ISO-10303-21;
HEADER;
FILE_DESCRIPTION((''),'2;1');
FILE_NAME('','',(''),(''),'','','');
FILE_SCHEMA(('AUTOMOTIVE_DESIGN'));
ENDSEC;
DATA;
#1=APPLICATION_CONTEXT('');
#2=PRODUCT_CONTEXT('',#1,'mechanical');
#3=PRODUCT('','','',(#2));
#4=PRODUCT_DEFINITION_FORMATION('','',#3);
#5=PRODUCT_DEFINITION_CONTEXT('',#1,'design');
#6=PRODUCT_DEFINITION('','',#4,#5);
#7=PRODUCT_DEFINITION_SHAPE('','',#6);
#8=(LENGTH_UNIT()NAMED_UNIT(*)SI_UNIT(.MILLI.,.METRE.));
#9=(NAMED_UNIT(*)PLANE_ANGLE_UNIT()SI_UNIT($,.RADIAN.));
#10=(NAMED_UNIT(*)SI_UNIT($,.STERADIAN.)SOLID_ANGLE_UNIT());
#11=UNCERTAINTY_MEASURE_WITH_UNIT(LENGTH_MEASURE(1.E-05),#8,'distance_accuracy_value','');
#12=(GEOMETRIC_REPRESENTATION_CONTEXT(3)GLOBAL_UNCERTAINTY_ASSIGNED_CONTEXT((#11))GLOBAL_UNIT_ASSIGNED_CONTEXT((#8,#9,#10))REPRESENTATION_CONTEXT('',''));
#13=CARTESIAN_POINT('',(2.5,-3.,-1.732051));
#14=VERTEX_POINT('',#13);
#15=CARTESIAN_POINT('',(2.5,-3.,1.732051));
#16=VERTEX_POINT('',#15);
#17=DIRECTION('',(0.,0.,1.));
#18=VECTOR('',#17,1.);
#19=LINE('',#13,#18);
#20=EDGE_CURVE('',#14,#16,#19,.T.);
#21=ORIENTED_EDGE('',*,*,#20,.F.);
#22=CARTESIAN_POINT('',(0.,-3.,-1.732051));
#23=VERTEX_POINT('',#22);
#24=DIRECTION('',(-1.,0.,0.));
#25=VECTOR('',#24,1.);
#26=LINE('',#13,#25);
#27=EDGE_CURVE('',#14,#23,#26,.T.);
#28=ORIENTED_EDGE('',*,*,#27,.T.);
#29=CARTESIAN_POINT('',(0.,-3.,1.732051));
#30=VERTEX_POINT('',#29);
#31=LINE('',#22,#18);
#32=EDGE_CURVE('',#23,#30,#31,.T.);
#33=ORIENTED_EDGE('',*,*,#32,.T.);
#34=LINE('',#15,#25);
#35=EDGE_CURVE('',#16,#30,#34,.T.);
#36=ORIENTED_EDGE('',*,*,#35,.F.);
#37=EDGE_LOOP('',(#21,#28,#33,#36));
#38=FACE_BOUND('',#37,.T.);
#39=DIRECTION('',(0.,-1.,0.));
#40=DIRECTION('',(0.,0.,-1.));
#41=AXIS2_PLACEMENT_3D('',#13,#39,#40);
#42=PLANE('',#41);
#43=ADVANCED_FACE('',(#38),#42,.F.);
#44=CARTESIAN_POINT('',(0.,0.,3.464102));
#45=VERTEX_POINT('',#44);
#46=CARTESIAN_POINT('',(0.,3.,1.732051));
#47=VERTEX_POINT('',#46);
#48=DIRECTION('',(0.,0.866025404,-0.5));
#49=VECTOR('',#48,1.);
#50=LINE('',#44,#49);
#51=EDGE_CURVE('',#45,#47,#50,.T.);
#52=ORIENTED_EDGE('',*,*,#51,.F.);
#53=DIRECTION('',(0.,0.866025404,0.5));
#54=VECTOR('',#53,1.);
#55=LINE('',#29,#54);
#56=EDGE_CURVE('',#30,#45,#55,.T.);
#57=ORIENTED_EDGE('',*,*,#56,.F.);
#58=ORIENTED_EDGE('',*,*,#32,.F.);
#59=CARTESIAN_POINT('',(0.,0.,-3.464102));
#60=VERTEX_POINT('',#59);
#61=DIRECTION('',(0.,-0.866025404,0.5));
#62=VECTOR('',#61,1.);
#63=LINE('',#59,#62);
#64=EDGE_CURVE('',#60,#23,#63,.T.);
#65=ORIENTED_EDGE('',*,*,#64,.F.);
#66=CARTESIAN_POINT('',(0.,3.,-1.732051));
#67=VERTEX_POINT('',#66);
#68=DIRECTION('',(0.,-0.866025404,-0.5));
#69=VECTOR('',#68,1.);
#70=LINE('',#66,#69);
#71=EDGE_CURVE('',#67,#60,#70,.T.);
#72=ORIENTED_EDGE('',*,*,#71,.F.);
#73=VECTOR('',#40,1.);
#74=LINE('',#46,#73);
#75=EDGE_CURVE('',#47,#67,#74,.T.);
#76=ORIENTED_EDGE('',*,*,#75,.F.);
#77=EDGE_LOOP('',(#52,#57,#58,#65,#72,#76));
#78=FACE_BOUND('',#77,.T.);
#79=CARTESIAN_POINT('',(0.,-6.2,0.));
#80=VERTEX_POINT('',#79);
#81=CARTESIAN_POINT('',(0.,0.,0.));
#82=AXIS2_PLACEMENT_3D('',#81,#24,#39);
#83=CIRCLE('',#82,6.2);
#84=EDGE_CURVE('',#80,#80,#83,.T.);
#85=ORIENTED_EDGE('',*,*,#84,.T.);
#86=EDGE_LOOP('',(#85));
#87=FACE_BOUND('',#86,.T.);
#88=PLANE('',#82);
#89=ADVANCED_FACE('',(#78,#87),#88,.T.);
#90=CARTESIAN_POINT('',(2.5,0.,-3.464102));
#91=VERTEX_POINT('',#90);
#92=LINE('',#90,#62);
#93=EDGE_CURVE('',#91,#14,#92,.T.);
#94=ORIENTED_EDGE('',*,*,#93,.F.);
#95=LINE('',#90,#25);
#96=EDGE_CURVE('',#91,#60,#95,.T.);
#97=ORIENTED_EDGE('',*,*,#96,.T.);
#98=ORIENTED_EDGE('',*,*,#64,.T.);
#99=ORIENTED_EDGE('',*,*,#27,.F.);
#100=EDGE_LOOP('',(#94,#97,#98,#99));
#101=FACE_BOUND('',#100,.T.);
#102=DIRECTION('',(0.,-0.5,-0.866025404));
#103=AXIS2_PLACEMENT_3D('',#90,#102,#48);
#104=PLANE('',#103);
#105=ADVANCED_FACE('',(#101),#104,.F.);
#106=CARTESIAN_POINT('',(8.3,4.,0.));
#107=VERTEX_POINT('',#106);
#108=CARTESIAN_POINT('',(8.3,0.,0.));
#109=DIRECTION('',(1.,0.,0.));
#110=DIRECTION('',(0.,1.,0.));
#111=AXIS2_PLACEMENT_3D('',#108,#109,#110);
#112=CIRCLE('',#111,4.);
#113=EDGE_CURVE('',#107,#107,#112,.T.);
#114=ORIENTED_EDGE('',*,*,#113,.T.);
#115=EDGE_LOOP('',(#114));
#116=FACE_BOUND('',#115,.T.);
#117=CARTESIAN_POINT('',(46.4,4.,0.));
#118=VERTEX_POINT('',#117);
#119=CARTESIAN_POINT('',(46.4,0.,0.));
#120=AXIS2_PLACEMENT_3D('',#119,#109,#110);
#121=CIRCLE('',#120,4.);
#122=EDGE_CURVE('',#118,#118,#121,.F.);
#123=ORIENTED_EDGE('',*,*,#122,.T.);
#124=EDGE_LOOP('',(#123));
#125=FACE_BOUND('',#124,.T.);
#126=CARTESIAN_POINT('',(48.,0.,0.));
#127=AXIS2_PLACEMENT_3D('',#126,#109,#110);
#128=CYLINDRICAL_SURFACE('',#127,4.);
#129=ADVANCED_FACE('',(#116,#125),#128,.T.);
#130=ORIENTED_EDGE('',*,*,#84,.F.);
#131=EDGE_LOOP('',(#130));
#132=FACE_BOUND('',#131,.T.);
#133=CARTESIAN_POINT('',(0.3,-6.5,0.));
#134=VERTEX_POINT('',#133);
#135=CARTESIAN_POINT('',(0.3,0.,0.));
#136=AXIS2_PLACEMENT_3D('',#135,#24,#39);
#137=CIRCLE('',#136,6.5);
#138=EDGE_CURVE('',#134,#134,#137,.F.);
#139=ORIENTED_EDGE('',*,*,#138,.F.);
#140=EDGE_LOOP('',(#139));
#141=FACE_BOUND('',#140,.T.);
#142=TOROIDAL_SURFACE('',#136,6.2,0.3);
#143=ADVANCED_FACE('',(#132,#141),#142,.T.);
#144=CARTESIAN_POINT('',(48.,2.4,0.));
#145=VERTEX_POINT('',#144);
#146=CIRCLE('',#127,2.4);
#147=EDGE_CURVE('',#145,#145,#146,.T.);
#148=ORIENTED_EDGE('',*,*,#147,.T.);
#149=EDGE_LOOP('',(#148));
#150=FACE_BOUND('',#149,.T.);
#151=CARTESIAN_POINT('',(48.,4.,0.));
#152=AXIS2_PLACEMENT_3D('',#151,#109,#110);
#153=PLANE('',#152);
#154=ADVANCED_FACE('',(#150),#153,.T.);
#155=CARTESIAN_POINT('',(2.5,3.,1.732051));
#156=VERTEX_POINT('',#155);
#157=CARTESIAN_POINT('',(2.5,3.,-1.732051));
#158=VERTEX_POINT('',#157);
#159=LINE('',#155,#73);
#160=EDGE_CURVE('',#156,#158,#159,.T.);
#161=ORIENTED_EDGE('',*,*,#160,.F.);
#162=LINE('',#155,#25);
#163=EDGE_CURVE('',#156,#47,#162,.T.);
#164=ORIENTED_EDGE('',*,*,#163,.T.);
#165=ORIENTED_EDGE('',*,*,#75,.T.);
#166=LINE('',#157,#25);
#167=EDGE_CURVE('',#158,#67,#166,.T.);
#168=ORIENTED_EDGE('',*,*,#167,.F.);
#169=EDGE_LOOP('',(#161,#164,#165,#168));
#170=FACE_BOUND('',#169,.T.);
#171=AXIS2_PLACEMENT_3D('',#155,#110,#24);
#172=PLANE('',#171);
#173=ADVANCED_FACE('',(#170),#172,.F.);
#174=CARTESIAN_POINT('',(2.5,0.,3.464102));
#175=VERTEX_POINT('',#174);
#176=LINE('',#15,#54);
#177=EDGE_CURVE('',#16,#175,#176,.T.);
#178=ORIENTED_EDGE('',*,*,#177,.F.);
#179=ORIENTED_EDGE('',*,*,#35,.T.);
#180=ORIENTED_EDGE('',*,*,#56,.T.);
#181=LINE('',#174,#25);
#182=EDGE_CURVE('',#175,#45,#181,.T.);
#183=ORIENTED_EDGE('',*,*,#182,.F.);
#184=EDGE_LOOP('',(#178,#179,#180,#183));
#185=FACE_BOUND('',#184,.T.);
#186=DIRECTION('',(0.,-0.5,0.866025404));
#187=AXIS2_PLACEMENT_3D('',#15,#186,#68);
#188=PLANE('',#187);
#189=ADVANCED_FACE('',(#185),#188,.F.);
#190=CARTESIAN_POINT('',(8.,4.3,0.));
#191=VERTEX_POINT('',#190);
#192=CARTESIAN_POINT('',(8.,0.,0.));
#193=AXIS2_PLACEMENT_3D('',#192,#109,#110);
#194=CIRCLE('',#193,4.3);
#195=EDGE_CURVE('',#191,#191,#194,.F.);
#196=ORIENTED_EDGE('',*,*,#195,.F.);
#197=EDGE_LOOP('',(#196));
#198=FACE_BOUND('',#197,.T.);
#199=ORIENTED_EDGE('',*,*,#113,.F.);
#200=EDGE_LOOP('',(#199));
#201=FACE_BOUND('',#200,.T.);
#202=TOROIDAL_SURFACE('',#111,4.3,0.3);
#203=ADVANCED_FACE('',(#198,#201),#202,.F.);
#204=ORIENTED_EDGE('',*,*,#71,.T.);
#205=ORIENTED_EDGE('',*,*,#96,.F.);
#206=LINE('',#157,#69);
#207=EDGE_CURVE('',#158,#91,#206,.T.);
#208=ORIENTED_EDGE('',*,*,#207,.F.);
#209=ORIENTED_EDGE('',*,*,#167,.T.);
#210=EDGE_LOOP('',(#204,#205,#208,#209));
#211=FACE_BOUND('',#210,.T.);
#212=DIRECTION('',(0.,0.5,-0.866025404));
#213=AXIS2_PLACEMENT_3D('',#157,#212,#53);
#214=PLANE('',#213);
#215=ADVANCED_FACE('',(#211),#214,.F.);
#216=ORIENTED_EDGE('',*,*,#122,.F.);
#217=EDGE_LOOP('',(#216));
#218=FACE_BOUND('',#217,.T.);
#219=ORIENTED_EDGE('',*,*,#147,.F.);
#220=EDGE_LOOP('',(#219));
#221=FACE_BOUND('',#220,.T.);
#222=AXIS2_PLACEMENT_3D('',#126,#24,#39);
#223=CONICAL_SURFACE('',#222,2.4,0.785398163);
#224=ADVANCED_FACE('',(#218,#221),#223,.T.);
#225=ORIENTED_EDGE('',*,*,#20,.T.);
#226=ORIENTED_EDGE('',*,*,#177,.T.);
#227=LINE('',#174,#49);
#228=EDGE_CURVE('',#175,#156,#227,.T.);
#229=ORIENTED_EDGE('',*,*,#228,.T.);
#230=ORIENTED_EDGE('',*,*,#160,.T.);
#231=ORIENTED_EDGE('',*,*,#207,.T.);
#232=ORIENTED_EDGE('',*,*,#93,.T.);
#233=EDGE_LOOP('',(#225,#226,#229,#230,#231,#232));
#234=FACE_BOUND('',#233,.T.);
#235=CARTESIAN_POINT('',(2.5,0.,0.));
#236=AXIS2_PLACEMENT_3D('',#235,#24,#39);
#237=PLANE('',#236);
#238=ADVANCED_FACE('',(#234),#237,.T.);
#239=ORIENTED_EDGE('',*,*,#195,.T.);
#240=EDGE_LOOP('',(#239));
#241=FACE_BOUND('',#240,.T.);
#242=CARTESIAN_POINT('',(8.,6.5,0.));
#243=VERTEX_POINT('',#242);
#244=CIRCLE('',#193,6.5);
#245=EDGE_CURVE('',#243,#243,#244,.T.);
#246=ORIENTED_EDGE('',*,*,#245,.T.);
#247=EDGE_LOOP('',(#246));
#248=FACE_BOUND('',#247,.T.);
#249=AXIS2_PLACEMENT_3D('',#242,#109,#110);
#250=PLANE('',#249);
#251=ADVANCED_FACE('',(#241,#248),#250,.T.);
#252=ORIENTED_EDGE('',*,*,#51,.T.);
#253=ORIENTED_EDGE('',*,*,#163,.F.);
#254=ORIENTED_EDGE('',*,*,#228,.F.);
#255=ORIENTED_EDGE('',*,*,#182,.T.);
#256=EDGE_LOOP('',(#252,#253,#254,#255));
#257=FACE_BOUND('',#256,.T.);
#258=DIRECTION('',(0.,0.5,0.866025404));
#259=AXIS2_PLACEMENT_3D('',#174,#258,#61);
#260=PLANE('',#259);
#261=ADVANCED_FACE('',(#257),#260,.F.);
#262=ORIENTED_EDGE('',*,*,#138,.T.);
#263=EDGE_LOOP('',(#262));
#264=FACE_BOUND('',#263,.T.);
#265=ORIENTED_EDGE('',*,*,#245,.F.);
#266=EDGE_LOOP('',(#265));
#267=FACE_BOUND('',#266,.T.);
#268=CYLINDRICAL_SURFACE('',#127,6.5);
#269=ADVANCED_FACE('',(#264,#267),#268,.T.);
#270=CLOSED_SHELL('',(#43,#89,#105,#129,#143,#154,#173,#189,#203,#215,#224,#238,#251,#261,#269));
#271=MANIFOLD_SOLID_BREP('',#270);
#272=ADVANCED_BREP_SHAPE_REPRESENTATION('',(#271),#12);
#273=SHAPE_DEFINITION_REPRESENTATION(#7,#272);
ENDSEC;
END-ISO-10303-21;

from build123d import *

# Parameters (mm, degrees)
CUT_EXTRUDE_1_DEPTH = 2.5
FILLET_1_R          = 0.3
CHAMFER_1_SIZE      = 1.6


with BuildPart() as part:
    # Эскиз1 → Повернуть1 (revolve)
    with BuildSketch(Plane.XY):
        Polygon((0, 0), (0, 6.5), (8, 6.5), (8, 4), (48, 4), (48, 0), align=None)
    revolve(axis=Axis((48, 0, 0), (-1, 0, 0)))

    # Эскиз2 → Вырез-Вытянуть1 (cut)
    with BuildSketch(Plane.ZY):
        Polygon((-1.732050808, 3), (-3.464101615, 0), (-1.732050808, -3), (1.732050808, -3), (3.464101615, 0), (1.732050808, 3), align=None)
    extrude(amount=-CUT_EXTRUDE_1_DEPTH, mode=Mode.SUBTRACT)

    # Скругление1
    fillet_1_edges = [part.edges().sort_by_distance(p)[0] for p in [
        (8, -4, 0),
        (0, -6.5, 0),
    ]]
    fillet(fillet_1_edges, radius=FILLET_1_R)

    # Фаска1
    chamfer_1_edges = [part.edges().sort_by_distance(p)[0] for p in [
        (48, -4, 0),
    ]]
    chamfer(chamfer_1_edges, length=CHAMFER_1_SIZE)


solid = part.part
